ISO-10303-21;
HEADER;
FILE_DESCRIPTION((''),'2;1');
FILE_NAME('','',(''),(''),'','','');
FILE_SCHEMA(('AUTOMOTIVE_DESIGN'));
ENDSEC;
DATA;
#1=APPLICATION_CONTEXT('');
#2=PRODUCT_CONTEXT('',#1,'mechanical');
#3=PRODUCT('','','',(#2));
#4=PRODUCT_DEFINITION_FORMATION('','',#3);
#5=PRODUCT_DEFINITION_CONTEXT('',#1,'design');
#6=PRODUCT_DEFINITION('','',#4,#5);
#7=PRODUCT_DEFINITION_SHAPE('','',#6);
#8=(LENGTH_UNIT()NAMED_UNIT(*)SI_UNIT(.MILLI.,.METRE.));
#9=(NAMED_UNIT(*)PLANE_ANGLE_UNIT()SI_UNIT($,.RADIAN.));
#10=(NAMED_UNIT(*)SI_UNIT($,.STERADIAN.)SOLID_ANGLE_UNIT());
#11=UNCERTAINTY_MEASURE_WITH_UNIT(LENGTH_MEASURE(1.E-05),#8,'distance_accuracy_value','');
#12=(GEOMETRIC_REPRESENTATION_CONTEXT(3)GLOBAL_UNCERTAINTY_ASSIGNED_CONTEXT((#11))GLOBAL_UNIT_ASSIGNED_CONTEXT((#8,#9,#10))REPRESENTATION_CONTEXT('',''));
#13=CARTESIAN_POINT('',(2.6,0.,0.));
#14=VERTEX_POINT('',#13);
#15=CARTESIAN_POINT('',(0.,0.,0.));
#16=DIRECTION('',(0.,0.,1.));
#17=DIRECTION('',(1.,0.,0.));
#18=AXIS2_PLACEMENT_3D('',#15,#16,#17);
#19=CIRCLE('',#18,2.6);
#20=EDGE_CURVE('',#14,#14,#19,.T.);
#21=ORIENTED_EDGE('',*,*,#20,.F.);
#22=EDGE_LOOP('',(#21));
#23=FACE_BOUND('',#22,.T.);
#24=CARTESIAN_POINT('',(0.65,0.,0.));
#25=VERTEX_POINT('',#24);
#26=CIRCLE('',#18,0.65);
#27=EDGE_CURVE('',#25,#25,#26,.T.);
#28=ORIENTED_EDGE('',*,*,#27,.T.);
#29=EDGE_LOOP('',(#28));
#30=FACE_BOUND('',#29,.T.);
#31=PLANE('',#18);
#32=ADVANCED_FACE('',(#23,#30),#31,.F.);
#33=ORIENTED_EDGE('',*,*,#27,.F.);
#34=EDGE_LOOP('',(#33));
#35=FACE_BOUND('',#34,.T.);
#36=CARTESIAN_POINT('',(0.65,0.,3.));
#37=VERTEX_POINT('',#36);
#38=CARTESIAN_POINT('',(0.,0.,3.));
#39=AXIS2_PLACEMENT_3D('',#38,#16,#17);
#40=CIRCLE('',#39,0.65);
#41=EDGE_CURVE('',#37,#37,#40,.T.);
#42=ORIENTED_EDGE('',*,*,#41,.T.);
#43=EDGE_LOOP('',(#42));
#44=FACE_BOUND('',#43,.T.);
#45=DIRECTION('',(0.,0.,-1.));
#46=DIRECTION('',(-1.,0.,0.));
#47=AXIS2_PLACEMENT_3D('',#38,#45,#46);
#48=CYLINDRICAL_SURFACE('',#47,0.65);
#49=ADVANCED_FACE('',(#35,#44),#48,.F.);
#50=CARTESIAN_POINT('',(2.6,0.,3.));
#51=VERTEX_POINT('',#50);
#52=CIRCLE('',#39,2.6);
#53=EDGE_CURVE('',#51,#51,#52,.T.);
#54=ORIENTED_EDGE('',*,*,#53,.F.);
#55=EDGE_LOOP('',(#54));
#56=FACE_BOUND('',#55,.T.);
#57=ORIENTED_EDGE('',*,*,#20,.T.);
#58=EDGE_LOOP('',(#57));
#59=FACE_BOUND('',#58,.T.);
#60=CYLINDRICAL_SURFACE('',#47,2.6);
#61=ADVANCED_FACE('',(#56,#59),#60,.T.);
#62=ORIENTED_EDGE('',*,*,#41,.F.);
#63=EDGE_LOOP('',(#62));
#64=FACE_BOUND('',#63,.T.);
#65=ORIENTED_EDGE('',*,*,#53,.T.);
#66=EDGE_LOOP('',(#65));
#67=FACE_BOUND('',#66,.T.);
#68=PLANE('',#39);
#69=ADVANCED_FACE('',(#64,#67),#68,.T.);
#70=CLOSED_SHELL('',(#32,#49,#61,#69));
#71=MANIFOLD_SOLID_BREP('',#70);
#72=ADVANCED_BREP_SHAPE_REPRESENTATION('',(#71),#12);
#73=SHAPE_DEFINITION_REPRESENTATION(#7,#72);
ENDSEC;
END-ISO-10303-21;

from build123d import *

# Parameters (mm, degrees)
S01_SWAGED_END_STOP_R      = 2.6
S01_SWAGED_END_STOP_R_2    = 0.65
F_01_SWAGED_END_STOP_DEPTH = 3


with BuildPart() as part:
    # S01 - Swaged end stop → 01 - Swaged end stop (new body)
    with BuildSketch(Plane.XY):
        Circle(S01_SWAGED_END_STOP_R)
        Circle(S01_SWAGED_END_STOP_R_2, mode=Mode.SUBTRACT)
    extrude(amount=F_01_SWAGED_END_STOP_DEPTH)


solid = part.part
